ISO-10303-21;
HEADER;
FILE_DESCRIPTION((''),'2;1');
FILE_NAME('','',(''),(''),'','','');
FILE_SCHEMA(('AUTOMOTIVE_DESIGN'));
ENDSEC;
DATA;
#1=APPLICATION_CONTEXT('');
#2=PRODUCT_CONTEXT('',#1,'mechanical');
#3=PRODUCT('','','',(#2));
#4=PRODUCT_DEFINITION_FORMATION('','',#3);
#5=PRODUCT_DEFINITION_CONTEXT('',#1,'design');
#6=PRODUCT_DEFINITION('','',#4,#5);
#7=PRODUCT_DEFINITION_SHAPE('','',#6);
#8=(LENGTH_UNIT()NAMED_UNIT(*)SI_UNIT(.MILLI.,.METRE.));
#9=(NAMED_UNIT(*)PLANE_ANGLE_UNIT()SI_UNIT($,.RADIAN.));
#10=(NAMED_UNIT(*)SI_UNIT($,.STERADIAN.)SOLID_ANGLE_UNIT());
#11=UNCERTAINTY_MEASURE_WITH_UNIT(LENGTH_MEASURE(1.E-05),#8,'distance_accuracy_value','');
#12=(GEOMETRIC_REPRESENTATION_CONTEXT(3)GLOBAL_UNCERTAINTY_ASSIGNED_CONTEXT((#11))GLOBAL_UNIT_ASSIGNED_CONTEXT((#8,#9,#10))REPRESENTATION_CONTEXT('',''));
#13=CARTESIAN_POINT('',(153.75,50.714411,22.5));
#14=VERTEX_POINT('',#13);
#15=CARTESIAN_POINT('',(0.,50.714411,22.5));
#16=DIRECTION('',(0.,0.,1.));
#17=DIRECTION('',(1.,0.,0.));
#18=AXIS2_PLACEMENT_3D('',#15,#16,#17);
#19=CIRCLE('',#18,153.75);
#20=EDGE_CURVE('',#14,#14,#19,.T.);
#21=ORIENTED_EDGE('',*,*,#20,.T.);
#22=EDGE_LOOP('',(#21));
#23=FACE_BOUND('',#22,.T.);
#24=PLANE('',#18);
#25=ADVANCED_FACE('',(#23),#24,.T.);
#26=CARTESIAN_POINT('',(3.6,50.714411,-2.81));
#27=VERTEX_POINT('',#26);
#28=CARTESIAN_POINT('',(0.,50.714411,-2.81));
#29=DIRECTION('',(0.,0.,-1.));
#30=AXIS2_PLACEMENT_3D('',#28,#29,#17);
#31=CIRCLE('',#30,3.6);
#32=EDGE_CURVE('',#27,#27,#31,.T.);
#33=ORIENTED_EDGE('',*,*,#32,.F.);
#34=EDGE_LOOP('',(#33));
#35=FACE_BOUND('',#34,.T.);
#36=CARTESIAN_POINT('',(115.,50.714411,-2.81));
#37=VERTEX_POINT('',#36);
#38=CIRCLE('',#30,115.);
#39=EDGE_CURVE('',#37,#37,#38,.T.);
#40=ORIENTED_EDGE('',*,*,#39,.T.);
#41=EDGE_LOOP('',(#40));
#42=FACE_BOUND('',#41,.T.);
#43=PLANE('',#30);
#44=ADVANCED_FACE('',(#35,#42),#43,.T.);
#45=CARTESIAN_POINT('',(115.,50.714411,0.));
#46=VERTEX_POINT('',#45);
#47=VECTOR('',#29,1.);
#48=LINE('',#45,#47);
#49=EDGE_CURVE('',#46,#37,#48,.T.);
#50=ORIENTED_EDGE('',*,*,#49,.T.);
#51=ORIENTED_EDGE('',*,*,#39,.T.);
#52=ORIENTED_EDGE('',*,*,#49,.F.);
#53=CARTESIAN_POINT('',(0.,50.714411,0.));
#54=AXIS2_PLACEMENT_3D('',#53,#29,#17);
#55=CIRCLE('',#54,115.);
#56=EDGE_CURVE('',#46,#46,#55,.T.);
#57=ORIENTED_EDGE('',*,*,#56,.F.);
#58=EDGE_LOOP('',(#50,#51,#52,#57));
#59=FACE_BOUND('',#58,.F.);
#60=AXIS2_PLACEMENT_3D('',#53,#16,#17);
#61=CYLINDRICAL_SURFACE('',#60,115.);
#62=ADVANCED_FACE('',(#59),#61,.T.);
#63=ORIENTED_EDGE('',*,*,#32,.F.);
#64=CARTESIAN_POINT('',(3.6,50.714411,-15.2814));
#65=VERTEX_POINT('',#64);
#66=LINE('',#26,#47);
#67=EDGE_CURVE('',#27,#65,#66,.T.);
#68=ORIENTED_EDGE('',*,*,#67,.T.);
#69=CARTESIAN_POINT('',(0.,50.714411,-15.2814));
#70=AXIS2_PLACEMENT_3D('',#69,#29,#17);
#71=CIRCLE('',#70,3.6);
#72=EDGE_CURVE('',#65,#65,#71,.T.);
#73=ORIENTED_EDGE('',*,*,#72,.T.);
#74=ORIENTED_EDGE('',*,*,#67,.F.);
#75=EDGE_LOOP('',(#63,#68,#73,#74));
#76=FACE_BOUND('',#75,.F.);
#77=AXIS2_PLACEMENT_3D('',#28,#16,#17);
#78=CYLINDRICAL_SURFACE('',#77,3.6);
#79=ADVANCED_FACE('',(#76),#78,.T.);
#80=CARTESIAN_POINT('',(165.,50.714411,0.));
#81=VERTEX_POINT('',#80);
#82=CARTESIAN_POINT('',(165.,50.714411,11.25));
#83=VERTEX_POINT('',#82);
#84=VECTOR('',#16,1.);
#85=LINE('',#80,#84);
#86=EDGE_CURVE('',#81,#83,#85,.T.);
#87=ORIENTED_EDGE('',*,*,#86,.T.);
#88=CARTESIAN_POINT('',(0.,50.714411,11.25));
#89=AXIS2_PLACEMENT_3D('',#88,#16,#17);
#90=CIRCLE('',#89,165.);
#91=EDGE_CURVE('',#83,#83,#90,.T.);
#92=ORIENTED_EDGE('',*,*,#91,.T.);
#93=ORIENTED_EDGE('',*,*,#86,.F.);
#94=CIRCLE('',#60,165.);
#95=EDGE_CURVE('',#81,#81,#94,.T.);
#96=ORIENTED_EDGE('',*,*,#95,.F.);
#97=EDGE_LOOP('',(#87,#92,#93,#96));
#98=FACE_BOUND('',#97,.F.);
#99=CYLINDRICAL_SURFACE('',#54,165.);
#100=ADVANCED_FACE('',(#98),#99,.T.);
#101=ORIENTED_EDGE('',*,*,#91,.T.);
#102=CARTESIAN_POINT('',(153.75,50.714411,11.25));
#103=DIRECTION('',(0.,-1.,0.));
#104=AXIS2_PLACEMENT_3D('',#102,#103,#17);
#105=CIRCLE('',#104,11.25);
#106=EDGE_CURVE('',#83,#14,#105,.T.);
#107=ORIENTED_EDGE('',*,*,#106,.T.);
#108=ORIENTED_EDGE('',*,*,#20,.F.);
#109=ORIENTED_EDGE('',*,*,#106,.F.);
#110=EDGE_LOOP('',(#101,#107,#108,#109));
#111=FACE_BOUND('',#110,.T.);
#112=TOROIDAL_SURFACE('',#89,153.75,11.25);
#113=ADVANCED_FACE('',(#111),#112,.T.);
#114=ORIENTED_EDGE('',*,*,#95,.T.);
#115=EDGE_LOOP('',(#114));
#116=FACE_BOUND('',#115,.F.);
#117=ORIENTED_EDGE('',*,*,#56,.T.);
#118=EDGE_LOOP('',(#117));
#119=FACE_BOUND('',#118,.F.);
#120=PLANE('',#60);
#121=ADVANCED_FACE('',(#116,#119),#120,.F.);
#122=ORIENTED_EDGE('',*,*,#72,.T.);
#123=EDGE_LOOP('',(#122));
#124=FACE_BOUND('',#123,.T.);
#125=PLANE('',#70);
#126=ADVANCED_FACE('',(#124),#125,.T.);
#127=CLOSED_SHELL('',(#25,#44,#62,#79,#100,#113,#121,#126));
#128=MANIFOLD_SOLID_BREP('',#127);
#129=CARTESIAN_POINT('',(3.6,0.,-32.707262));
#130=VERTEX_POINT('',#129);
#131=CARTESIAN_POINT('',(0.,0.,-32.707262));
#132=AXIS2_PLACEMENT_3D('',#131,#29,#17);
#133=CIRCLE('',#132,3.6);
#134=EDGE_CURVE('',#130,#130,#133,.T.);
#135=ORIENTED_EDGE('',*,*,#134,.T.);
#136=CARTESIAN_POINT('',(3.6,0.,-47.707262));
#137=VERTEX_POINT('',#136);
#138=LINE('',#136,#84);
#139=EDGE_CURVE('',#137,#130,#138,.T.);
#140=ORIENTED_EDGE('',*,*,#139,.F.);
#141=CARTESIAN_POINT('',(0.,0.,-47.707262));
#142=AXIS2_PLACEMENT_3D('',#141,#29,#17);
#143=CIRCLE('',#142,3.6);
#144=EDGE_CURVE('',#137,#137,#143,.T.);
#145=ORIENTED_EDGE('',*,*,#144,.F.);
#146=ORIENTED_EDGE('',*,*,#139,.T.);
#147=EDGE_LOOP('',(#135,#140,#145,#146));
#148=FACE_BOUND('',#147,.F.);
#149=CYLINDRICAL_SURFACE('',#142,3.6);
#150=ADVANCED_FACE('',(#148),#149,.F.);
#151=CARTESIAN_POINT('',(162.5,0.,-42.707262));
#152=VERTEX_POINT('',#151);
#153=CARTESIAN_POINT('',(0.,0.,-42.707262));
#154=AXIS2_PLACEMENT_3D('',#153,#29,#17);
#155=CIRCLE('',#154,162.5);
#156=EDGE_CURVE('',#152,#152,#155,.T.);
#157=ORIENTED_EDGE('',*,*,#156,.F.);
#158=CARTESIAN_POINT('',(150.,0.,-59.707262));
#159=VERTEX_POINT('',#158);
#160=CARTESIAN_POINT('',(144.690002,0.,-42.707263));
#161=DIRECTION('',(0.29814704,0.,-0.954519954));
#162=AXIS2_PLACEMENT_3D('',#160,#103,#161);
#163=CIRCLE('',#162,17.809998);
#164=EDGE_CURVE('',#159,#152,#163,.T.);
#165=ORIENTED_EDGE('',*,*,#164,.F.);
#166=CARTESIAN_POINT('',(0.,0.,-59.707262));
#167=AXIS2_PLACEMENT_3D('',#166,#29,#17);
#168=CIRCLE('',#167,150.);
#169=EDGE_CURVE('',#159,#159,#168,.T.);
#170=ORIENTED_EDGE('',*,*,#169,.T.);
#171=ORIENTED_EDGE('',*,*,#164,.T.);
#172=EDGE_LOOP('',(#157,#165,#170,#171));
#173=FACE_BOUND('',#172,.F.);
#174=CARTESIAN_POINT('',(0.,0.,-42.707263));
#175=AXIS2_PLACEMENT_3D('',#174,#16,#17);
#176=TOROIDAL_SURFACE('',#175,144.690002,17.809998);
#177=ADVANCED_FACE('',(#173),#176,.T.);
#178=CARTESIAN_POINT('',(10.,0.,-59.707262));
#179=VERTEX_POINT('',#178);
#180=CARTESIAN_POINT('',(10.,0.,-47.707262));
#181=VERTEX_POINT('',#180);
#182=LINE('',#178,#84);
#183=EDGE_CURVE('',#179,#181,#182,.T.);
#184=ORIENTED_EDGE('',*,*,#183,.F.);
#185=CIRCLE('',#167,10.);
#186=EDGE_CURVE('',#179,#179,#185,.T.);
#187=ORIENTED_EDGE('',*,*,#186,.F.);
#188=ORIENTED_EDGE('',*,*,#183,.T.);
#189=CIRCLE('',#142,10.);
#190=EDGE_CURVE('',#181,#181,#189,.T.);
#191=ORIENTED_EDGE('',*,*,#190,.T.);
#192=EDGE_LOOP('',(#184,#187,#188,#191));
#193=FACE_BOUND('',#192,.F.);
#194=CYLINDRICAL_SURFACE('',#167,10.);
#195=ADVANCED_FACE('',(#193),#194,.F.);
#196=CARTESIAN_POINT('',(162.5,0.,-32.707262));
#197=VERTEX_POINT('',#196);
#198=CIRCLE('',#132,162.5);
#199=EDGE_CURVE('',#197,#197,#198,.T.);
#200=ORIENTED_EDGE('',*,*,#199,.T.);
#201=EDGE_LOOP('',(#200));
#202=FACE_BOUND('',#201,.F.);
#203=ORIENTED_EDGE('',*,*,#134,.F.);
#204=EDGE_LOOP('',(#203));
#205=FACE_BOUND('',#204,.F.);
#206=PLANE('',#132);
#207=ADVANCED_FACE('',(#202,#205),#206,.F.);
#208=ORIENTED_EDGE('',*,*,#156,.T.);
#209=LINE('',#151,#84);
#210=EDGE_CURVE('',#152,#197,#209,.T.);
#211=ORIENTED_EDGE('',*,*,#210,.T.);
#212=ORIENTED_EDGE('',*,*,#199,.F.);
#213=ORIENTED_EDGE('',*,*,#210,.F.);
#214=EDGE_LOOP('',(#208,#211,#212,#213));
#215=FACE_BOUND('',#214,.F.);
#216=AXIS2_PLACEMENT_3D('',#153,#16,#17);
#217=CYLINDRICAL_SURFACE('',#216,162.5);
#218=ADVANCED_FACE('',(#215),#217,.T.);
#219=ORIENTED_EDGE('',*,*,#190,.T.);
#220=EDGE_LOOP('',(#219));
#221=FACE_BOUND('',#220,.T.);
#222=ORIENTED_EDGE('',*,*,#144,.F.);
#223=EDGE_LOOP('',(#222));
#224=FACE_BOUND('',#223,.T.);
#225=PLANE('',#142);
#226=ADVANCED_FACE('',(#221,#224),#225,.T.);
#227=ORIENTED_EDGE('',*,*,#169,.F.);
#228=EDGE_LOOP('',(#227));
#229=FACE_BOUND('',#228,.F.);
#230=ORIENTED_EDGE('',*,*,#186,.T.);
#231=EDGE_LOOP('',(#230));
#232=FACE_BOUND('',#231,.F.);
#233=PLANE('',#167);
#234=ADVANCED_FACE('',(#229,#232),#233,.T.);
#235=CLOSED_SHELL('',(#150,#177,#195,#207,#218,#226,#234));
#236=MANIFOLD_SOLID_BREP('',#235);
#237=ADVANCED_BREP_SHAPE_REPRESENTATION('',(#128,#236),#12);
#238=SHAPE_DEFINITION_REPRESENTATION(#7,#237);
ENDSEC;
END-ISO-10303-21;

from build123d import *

# Parameters (mm, degrees)
F0_R      = 165
F1_DEPTH  = 22.5
F2_R      = 11.25
F3_R      = 115
F4_DEPTH  = 2.81
F7_R      = 10
F8_DEPTH  = 12
F9_R      = 3.6
F10_DEPTH = 25.4
F11_R     = 3.6
F12_DEPTH = 12.4714


with BuildPart() as f1:
    # F0 (on Top) → F1 (new body)
    with BuildSketch(Plane.XY):
        with Locations((0, 50.714411)):
            Circle(F0_R)
    extrude(amount=F1_DEPTH)

    # F2
    f2_edges = [f1.edges().sort_by_distance(p)[0] for p in [
        (-165, 50.714411, 22.5),
    ]]
    fillet(f2_edges, radius=F2_R)

    # F3 (on face) → F4 (join)
    with BuildSketch(Plane(origin=(0, 0, 0), x_dir=(1, 0, 0), z_dir=(0, 0, -1))):
        with Locations((0, -50.714411)):
            Circle(F3_R)
    extrude(amount=F4_DEPTH)

    # F11 (on face) → F12 (join)
    with BuildSketch(Plane(origin=(0, 0, -2.81), x_dir=(1, 0, 0), z_dir=(0, 0, -1))):
        with Locations((0, -50.714411)):
            Circle(F11_R)
    extrude(amount=F12_DEPTH)


with BuildPart() as f6:
    # F5 (on Front) → F6 (revolve)
    with BuildSketch(Plane.XZ):
        with BuildLine():
            Line((162.5, -32.707262), (0, -32.707262))
            Line((0, -32.707262), (0, -59.707262))
            Line((0, -59.707262), (150, -59.707262))
            ThreePointArc((150, -59.707262), (159.038645, -53.257736), (162.5, -42.707262))
            Line((162.5, -42.707262), (162.5, -32.707262))
        make_face()
    revolve(axis=Axis((0, 0, -46.207262), (0, 0, -1)))

    # F7 (on face) → F8 (cut)
    with BuildSketch(Plane(origin=(0, 0, -59.707262), x_dir=(1, 0, 0), z_dir=(0, 0, -1))):
        Circle(F7_R)
    extrude(amount=-F8_DEPTH, mode=Mode.SUBTRACT)

    # F9 (on face) → F10 (cut)
    with BuildSketch(Plane(origin=(0, 0, -47.707262), x_dir=(1, 0, 0), z_dir=(0, 0, -1))):
        Circle(F9_R)
    extrude(amount=-F10_DEPTH, mode=Mode.SUBTRACT)


solid = Compound([f1.part, f6.part])
